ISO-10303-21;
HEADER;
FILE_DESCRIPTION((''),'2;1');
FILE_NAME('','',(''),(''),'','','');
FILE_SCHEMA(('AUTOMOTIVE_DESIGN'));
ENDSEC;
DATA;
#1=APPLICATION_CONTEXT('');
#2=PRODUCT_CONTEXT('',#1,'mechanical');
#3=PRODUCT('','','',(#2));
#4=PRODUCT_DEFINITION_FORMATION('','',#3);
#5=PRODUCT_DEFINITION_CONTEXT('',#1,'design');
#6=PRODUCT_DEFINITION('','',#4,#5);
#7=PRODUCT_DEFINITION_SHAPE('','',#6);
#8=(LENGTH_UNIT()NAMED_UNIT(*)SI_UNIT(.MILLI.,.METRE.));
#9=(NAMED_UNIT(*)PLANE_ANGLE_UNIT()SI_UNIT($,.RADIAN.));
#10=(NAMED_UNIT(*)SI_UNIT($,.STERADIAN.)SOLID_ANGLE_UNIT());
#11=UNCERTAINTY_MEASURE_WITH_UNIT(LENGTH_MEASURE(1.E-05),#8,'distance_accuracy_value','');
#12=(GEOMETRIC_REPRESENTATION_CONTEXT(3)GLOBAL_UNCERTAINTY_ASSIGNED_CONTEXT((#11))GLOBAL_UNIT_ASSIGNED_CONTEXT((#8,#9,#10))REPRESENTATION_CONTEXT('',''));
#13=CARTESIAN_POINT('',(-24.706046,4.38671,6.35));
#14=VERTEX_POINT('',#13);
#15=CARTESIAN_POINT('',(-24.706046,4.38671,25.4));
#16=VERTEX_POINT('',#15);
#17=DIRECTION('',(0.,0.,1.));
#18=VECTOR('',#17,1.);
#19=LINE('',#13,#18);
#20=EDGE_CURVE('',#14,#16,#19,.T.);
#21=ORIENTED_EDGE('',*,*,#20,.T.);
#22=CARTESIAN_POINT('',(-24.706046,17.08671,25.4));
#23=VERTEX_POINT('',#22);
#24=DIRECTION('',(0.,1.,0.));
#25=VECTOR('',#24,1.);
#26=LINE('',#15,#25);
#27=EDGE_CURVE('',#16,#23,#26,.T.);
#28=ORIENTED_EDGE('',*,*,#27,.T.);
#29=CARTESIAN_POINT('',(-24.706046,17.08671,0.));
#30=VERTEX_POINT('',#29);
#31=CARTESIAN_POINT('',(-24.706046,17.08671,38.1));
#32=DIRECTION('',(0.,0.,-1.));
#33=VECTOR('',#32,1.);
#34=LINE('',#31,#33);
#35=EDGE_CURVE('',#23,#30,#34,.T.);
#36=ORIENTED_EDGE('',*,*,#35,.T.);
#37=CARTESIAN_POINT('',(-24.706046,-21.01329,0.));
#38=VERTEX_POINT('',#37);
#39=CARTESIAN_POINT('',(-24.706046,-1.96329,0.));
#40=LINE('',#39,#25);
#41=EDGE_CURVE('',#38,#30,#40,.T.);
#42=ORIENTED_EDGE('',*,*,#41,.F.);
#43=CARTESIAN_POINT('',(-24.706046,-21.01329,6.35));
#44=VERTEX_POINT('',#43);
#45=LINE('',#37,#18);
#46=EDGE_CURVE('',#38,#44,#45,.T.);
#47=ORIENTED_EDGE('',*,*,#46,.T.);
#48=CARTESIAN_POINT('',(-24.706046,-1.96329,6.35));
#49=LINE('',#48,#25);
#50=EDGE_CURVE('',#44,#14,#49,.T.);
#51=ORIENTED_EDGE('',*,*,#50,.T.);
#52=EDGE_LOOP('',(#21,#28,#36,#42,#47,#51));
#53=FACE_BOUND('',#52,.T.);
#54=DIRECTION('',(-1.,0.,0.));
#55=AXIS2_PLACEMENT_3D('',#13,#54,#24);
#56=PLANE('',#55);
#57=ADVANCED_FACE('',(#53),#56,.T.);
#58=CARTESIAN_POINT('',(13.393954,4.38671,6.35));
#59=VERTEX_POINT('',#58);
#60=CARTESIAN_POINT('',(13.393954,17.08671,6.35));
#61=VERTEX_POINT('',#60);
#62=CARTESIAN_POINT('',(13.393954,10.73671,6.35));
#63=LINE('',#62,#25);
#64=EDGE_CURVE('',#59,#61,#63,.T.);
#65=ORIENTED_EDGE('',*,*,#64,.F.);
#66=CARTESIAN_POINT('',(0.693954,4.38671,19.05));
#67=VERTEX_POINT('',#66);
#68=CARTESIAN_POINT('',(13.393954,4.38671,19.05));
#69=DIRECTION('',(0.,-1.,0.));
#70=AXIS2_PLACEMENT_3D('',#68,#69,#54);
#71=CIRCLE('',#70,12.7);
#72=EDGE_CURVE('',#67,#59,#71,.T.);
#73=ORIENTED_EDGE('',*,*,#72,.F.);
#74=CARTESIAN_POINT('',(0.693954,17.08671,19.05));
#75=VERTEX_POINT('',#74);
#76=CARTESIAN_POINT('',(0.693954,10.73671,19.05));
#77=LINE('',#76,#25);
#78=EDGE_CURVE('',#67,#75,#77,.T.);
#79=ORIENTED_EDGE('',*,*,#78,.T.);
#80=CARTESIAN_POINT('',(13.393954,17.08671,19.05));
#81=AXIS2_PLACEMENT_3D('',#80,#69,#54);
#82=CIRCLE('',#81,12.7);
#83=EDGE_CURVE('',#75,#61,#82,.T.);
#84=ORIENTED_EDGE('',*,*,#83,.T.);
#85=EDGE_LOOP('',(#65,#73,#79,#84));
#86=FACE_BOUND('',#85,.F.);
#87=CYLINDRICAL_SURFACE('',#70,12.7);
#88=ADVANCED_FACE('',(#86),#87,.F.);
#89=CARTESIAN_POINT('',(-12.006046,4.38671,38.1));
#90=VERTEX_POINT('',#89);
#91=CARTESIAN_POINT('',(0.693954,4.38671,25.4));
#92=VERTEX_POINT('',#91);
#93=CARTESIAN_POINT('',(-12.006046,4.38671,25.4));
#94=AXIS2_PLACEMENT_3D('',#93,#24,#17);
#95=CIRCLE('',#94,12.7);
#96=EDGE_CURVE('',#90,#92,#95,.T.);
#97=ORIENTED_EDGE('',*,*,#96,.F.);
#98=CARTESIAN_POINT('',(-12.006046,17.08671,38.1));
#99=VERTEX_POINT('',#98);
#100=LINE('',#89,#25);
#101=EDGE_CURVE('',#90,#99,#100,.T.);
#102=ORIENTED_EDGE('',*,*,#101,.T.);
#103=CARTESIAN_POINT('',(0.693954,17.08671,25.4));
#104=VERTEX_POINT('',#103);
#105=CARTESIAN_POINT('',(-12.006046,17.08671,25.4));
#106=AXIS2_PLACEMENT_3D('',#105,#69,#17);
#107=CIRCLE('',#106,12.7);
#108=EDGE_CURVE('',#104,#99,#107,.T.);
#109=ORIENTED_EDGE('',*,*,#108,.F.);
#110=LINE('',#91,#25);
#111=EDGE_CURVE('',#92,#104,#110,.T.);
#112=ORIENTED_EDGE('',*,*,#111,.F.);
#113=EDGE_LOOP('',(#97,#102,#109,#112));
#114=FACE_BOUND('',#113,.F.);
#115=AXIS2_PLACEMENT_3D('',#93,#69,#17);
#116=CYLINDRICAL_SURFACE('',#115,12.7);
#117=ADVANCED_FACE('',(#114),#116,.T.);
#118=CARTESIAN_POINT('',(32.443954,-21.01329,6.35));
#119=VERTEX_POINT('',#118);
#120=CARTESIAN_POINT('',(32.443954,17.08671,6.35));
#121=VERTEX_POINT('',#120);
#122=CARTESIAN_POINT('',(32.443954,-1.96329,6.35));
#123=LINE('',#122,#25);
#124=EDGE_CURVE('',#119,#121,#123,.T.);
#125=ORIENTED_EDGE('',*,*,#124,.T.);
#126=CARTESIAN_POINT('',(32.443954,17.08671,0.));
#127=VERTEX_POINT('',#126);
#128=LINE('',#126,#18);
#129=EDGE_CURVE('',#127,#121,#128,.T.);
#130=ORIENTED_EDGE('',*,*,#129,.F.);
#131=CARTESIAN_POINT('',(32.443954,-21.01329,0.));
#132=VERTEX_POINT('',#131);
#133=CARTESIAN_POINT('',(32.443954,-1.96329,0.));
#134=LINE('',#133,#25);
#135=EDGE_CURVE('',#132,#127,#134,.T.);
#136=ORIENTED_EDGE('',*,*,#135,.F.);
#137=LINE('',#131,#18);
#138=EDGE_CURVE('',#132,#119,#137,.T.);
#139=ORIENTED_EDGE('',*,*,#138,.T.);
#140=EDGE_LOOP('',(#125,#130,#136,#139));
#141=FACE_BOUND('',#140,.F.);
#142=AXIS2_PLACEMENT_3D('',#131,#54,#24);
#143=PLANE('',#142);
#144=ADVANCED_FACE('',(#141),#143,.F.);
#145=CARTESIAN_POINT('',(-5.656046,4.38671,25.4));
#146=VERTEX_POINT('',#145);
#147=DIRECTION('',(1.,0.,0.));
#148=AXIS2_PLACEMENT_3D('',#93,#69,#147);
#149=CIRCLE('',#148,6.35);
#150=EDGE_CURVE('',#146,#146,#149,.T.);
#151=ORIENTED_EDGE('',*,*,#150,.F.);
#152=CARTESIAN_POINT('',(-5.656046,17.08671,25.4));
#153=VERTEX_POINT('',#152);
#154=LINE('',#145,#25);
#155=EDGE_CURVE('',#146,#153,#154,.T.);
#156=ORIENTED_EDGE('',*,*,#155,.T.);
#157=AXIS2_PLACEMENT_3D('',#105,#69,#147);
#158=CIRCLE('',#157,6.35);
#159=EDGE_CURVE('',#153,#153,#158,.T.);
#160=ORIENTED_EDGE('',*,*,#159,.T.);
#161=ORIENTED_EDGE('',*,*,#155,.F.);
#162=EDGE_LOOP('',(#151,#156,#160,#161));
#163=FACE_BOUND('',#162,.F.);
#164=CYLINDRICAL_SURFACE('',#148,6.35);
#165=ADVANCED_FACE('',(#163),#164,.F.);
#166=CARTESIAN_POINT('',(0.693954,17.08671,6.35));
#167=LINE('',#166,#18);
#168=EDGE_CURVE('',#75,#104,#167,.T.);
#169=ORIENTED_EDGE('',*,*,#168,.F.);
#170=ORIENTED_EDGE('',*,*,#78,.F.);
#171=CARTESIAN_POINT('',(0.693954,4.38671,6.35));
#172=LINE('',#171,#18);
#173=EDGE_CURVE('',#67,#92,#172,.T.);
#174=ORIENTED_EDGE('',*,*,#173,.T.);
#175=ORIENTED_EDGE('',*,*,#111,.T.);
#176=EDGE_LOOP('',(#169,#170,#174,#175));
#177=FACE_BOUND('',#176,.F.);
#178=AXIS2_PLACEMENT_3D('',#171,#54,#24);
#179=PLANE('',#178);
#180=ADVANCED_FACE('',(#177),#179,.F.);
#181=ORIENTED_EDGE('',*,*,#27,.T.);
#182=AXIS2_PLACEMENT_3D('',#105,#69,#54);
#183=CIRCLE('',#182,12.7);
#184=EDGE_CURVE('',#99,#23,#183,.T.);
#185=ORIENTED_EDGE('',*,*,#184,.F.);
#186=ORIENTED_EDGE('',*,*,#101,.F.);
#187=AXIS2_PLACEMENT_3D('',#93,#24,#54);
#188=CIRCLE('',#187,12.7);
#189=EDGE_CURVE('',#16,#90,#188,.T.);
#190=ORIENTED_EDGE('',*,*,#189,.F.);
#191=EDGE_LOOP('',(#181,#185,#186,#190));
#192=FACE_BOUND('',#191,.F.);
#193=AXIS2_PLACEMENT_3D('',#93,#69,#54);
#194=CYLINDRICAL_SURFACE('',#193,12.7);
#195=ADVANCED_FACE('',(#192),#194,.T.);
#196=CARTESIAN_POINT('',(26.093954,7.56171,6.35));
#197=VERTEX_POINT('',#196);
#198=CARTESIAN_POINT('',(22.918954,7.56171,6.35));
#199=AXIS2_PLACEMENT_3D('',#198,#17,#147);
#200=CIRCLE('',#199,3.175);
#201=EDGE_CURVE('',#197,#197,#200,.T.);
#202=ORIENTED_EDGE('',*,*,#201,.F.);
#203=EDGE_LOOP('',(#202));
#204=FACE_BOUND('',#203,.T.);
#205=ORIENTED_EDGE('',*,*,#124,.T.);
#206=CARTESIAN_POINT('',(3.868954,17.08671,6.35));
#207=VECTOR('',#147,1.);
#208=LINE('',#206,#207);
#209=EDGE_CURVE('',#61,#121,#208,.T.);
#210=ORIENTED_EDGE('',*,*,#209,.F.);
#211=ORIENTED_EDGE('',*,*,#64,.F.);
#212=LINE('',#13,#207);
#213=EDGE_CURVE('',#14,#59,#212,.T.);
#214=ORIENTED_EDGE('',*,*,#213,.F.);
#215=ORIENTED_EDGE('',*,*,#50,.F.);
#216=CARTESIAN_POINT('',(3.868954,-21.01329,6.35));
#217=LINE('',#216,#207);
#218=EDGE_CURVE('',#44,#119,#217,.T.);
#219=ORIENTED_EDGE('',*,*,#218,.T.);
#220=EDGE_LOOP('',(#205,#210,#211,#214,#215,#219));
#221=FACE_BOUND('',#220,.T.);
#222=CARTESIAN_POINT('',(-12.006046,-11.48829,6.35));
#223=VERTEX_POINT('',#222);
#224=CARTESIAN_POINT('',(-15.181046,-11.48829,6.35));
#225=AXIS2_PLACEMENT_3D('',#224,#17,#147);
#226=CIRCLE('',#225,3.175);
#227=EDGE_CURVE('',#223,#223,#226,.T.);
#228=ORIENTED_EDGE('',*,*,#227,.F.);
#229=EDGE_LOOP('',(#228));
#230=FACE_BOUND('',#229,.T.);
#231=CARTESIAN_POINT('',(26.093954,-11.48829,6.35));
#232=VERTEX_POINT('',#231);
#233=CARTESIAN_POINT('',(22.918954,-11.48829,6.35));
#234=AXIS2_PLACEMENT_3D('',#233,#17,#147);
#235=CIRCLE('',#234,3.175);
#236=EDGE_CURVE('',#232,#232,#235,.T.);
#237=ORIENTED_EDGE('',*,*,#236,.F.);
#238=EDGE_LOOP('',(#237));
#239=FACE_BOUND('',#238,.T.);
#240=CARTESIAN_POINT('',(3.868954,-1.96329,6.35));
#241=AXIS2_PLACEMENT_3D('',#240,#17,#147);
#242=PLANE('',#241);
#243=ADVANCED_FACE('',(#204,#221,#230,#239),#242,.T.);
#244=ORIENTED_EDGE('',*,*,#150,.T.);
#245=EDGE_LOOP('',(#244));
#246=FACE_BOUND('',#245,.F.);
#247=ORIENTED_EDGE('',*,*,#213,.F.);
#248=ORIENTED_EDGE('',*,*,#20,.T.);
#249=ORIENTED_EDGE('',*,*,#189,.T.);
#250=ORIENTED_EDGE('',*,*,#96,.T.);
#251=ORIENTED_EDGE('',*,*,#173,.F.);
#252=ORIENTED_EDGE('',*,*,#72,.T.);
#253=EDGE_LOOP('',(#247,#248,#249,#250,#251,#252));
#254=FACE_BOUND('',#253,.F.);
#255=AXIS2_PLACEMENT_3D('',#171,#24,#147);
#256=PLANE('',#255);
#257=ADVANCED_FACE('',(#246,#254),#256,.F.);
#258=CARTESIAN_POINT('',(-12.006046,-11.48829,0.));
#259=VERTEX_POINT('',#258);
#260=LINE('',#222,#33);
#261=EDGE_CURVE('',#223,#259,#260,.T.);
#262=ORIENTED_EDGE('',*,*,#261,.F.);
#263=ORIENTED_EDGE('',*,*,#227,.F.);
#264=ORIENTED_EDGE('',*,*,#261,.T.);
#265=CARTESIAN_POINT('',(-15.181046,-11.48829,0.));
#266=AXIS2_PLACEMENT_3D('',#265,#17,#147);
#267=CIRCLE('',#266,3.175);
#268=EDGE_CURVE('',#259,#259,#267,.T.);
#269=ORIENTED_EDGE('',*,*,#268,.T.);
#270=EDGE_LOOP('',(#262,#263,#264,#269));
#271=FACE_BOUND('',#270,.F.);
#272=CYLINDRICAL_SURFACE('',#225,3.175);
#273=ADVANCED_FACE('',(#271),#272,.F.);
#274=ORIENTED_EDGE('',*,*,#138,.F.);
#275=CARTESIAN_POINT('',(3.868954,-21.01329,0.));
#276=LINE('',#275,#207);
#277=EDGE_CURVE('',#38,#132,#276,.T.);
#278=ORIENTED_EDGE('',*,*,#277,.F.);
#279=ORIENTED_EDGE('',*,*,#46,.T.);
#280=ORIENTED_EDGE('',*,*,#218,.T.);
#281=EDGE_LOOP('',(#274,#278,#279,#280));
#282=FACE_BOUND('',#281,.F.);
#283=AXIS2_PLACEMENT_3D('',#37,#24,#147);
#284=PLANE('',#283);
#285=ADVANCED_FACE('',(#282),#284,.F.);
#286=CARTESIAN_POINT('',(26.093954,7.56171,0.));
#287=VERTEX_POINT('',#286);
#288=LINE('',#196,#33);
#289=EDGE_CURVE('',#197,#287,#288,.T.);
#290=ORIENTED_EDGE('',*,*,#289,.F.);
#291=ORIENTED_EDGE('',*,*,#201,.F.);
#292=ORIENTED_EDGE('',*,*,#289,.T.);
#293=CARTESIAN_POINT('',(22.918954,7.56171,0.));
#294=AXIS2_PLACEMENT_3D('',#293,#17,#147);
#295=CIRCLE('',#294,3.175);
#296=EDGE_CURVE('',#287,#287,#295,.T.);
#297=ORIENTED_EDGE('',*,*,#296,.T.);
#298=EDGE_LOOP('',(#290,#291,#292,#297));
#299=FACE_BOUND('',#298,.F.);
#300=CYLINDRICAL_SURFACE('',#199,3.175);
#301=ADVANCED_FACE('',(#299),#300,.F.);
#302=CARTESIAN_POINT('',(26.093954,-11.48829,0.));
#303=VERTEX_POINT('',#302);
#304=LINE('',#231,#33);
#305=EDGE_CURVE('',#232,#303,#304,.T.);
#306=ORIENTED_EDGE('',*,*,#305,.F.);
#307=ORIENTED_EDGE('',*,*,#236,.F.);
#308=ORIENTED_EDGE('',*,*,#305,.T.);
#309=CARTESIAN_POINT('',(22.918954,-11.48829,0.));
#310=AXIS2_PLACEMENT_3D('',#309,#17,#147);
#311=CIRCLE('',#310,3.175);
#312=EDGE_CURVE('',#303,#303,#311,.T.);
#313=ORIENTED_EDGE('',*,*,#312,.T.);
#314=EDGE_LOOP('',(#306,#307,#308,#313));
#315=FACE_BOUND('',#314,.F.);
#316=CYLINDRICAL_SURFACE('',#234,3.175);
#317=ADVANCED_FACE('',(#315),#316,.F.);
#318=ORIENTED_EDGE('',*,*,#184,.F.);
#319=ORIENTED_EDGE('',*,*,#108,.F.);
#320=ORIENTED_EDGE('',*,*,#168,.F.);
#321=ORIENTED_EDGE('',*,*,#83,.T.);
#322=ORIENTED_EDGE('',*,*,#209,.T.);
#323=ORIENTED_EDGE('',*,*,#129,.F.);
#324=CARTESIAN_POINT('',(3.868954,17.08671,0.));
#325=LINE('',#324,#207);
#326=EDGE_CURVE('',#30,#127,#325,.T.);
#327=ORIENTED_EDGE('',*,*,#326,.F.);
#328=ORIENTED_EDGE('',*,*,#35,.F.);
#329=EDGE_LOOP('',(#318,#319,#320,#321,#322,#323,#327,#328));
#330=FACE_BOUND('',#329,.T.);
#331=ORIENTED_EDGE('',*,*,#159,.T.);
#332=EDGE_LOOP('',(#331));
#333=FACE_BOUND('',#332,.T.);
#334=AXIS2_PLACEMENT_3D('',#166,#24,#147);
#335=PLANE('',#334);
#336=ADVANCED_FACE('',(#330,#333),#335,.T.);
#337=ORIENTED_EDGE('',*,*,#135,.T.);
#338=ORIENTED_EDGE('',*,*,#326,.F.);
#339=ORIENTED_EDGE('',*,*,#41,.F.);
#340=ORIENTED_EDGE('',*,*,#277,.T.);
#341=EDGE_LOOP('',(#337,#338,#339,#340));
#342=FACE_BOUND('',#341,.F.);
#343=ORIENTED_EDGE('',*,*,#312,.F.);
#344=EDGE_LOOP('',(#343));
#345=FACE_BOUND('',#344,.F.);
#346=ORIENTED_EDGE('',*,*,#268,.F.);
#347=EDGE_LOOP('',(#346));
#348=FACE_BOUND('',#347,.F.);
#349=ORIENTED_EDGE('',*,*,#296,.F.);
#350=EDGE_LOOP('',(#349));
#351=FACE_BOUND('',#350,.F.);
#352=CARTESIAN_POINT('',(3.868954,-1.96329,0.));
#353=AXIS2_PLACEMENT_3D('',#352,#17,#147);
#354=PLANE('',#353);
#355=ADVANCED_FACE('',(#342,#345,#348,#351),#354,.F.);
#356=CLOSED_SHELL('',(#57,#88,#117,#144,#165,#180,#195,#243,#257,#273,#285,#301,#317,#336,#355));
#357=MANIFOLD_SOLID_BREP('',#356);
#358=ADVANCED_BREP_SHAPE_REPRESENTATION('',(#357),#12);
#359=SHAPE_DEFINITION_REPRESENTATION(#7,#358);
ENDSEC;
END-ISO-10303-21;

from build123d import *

# Parameters (mm, degrees)
F0_W      = 57.15
F0_H      = 38.1
F1_DEPTH  = 6.35
F2_W      = 25.4
F2_H      = 12.7
F3_DEPTH  = 31.75
F4_R      = 6.35
F5_DEPTH  = 25.4
F6_W      = 12.7
F6_H      = 12.7
F7_DEPTH  = 12.7
F9_DEPTH  = 25.4
F10_R     = 3.175
F11_DEPTH = 25.4


with BuildPart() as f1:
    # F0 (on Top) → F1 (new body)
    with BuildSketch(Plane.XY):
        with Locations((3.8689542562, -1.9632895614)):
            Rectangle(F0_W, F0_H)
    extrude(amount=F1_DEPTH)

    # F2 (on face) → F3 (join)
    with BuildSketch(Plane.XY.offset(6.35)):
        with Locations((-12.0060457438, 10.7367104386)):
            Rectangle(F2_W, F2_H)
    extrude(amount=F3_DEPTH)

    # F4 (on face) → F5 (cut)
    with BuildSketch(Plane.XZ.offset(-4.3867104386)):
        with BuildLine():
            ThreePointArc((-24.7060457438, 25.4), (-20.9863018648, 34.380256121), (-12.0060457438, 38.0999999999))
            Line((-12.0060457438, 38.1), (-24.7060457438, 38.1))
            Line((-24.7060457438, 38.1), (-24.7060457438, 25.4))
        make_face()
        with BuildLine():
            ThreePointArc((-12.0060457438, 38.0999999999), (-3.0257896228, 34.3802561209), (0.6939542562, 25.3999999999))
            Line((0.6939542562, 25.3999999999), (0.6939542562, 38.1))
            Line((0.6939542562, 38.1), (-12.0060457438, 38.1))
        make_face()
        with Locations((-12.0060457438, 25.3999999999)):
            Circle(F4_R)
    extrude(amount=-F5_DEPTH, mode=Mode.SUBTRACT)

    # F6 (on face) → F7 (join)
    with BuildSketch(Plane.XY.offset(6.35)):
        with Locations((7.0439542562, 10.7367104386)):
            Rectangle(F6_W, F6_H)
    extrude(amount=F7_DEPTH)

    # F8 (on face) → F9 (cut)
    with BuildSketch(Plane.XZ.offset(-4.3867104386)):
        with BuildLine():
            Line((13.3939542562, 19.05), (0.6939542562, 19.05))
            ThreePointArc((0.6939542562, 19.05), (4.4136981351, 10.0697438789), (13.3939542562, 6.35))
            Line((13.3939542562, 6.35), (13.3939542562, 19.05))
        make_face()
    extrude(amount=-F9_DEPTH, mode=Mode.SUBTRACT)

    # F10 (on face) → F11 (cut)
    with BuildSketch(Plane.XY.offset(6.35)):
        with Locations((-15.1810457438, -11.4882895614)):
            Circle(F10_R)
        with Locations((22.9189542562, -11.4882895614)):
            Circle(F10_R)
        with Locations((22.9189542562, 7.5617104386)):
            Circle(F10_R)
    extrude(amount=-F11_DEPTH, mode=Mode.SUBTRACT)


solid = f1.part
